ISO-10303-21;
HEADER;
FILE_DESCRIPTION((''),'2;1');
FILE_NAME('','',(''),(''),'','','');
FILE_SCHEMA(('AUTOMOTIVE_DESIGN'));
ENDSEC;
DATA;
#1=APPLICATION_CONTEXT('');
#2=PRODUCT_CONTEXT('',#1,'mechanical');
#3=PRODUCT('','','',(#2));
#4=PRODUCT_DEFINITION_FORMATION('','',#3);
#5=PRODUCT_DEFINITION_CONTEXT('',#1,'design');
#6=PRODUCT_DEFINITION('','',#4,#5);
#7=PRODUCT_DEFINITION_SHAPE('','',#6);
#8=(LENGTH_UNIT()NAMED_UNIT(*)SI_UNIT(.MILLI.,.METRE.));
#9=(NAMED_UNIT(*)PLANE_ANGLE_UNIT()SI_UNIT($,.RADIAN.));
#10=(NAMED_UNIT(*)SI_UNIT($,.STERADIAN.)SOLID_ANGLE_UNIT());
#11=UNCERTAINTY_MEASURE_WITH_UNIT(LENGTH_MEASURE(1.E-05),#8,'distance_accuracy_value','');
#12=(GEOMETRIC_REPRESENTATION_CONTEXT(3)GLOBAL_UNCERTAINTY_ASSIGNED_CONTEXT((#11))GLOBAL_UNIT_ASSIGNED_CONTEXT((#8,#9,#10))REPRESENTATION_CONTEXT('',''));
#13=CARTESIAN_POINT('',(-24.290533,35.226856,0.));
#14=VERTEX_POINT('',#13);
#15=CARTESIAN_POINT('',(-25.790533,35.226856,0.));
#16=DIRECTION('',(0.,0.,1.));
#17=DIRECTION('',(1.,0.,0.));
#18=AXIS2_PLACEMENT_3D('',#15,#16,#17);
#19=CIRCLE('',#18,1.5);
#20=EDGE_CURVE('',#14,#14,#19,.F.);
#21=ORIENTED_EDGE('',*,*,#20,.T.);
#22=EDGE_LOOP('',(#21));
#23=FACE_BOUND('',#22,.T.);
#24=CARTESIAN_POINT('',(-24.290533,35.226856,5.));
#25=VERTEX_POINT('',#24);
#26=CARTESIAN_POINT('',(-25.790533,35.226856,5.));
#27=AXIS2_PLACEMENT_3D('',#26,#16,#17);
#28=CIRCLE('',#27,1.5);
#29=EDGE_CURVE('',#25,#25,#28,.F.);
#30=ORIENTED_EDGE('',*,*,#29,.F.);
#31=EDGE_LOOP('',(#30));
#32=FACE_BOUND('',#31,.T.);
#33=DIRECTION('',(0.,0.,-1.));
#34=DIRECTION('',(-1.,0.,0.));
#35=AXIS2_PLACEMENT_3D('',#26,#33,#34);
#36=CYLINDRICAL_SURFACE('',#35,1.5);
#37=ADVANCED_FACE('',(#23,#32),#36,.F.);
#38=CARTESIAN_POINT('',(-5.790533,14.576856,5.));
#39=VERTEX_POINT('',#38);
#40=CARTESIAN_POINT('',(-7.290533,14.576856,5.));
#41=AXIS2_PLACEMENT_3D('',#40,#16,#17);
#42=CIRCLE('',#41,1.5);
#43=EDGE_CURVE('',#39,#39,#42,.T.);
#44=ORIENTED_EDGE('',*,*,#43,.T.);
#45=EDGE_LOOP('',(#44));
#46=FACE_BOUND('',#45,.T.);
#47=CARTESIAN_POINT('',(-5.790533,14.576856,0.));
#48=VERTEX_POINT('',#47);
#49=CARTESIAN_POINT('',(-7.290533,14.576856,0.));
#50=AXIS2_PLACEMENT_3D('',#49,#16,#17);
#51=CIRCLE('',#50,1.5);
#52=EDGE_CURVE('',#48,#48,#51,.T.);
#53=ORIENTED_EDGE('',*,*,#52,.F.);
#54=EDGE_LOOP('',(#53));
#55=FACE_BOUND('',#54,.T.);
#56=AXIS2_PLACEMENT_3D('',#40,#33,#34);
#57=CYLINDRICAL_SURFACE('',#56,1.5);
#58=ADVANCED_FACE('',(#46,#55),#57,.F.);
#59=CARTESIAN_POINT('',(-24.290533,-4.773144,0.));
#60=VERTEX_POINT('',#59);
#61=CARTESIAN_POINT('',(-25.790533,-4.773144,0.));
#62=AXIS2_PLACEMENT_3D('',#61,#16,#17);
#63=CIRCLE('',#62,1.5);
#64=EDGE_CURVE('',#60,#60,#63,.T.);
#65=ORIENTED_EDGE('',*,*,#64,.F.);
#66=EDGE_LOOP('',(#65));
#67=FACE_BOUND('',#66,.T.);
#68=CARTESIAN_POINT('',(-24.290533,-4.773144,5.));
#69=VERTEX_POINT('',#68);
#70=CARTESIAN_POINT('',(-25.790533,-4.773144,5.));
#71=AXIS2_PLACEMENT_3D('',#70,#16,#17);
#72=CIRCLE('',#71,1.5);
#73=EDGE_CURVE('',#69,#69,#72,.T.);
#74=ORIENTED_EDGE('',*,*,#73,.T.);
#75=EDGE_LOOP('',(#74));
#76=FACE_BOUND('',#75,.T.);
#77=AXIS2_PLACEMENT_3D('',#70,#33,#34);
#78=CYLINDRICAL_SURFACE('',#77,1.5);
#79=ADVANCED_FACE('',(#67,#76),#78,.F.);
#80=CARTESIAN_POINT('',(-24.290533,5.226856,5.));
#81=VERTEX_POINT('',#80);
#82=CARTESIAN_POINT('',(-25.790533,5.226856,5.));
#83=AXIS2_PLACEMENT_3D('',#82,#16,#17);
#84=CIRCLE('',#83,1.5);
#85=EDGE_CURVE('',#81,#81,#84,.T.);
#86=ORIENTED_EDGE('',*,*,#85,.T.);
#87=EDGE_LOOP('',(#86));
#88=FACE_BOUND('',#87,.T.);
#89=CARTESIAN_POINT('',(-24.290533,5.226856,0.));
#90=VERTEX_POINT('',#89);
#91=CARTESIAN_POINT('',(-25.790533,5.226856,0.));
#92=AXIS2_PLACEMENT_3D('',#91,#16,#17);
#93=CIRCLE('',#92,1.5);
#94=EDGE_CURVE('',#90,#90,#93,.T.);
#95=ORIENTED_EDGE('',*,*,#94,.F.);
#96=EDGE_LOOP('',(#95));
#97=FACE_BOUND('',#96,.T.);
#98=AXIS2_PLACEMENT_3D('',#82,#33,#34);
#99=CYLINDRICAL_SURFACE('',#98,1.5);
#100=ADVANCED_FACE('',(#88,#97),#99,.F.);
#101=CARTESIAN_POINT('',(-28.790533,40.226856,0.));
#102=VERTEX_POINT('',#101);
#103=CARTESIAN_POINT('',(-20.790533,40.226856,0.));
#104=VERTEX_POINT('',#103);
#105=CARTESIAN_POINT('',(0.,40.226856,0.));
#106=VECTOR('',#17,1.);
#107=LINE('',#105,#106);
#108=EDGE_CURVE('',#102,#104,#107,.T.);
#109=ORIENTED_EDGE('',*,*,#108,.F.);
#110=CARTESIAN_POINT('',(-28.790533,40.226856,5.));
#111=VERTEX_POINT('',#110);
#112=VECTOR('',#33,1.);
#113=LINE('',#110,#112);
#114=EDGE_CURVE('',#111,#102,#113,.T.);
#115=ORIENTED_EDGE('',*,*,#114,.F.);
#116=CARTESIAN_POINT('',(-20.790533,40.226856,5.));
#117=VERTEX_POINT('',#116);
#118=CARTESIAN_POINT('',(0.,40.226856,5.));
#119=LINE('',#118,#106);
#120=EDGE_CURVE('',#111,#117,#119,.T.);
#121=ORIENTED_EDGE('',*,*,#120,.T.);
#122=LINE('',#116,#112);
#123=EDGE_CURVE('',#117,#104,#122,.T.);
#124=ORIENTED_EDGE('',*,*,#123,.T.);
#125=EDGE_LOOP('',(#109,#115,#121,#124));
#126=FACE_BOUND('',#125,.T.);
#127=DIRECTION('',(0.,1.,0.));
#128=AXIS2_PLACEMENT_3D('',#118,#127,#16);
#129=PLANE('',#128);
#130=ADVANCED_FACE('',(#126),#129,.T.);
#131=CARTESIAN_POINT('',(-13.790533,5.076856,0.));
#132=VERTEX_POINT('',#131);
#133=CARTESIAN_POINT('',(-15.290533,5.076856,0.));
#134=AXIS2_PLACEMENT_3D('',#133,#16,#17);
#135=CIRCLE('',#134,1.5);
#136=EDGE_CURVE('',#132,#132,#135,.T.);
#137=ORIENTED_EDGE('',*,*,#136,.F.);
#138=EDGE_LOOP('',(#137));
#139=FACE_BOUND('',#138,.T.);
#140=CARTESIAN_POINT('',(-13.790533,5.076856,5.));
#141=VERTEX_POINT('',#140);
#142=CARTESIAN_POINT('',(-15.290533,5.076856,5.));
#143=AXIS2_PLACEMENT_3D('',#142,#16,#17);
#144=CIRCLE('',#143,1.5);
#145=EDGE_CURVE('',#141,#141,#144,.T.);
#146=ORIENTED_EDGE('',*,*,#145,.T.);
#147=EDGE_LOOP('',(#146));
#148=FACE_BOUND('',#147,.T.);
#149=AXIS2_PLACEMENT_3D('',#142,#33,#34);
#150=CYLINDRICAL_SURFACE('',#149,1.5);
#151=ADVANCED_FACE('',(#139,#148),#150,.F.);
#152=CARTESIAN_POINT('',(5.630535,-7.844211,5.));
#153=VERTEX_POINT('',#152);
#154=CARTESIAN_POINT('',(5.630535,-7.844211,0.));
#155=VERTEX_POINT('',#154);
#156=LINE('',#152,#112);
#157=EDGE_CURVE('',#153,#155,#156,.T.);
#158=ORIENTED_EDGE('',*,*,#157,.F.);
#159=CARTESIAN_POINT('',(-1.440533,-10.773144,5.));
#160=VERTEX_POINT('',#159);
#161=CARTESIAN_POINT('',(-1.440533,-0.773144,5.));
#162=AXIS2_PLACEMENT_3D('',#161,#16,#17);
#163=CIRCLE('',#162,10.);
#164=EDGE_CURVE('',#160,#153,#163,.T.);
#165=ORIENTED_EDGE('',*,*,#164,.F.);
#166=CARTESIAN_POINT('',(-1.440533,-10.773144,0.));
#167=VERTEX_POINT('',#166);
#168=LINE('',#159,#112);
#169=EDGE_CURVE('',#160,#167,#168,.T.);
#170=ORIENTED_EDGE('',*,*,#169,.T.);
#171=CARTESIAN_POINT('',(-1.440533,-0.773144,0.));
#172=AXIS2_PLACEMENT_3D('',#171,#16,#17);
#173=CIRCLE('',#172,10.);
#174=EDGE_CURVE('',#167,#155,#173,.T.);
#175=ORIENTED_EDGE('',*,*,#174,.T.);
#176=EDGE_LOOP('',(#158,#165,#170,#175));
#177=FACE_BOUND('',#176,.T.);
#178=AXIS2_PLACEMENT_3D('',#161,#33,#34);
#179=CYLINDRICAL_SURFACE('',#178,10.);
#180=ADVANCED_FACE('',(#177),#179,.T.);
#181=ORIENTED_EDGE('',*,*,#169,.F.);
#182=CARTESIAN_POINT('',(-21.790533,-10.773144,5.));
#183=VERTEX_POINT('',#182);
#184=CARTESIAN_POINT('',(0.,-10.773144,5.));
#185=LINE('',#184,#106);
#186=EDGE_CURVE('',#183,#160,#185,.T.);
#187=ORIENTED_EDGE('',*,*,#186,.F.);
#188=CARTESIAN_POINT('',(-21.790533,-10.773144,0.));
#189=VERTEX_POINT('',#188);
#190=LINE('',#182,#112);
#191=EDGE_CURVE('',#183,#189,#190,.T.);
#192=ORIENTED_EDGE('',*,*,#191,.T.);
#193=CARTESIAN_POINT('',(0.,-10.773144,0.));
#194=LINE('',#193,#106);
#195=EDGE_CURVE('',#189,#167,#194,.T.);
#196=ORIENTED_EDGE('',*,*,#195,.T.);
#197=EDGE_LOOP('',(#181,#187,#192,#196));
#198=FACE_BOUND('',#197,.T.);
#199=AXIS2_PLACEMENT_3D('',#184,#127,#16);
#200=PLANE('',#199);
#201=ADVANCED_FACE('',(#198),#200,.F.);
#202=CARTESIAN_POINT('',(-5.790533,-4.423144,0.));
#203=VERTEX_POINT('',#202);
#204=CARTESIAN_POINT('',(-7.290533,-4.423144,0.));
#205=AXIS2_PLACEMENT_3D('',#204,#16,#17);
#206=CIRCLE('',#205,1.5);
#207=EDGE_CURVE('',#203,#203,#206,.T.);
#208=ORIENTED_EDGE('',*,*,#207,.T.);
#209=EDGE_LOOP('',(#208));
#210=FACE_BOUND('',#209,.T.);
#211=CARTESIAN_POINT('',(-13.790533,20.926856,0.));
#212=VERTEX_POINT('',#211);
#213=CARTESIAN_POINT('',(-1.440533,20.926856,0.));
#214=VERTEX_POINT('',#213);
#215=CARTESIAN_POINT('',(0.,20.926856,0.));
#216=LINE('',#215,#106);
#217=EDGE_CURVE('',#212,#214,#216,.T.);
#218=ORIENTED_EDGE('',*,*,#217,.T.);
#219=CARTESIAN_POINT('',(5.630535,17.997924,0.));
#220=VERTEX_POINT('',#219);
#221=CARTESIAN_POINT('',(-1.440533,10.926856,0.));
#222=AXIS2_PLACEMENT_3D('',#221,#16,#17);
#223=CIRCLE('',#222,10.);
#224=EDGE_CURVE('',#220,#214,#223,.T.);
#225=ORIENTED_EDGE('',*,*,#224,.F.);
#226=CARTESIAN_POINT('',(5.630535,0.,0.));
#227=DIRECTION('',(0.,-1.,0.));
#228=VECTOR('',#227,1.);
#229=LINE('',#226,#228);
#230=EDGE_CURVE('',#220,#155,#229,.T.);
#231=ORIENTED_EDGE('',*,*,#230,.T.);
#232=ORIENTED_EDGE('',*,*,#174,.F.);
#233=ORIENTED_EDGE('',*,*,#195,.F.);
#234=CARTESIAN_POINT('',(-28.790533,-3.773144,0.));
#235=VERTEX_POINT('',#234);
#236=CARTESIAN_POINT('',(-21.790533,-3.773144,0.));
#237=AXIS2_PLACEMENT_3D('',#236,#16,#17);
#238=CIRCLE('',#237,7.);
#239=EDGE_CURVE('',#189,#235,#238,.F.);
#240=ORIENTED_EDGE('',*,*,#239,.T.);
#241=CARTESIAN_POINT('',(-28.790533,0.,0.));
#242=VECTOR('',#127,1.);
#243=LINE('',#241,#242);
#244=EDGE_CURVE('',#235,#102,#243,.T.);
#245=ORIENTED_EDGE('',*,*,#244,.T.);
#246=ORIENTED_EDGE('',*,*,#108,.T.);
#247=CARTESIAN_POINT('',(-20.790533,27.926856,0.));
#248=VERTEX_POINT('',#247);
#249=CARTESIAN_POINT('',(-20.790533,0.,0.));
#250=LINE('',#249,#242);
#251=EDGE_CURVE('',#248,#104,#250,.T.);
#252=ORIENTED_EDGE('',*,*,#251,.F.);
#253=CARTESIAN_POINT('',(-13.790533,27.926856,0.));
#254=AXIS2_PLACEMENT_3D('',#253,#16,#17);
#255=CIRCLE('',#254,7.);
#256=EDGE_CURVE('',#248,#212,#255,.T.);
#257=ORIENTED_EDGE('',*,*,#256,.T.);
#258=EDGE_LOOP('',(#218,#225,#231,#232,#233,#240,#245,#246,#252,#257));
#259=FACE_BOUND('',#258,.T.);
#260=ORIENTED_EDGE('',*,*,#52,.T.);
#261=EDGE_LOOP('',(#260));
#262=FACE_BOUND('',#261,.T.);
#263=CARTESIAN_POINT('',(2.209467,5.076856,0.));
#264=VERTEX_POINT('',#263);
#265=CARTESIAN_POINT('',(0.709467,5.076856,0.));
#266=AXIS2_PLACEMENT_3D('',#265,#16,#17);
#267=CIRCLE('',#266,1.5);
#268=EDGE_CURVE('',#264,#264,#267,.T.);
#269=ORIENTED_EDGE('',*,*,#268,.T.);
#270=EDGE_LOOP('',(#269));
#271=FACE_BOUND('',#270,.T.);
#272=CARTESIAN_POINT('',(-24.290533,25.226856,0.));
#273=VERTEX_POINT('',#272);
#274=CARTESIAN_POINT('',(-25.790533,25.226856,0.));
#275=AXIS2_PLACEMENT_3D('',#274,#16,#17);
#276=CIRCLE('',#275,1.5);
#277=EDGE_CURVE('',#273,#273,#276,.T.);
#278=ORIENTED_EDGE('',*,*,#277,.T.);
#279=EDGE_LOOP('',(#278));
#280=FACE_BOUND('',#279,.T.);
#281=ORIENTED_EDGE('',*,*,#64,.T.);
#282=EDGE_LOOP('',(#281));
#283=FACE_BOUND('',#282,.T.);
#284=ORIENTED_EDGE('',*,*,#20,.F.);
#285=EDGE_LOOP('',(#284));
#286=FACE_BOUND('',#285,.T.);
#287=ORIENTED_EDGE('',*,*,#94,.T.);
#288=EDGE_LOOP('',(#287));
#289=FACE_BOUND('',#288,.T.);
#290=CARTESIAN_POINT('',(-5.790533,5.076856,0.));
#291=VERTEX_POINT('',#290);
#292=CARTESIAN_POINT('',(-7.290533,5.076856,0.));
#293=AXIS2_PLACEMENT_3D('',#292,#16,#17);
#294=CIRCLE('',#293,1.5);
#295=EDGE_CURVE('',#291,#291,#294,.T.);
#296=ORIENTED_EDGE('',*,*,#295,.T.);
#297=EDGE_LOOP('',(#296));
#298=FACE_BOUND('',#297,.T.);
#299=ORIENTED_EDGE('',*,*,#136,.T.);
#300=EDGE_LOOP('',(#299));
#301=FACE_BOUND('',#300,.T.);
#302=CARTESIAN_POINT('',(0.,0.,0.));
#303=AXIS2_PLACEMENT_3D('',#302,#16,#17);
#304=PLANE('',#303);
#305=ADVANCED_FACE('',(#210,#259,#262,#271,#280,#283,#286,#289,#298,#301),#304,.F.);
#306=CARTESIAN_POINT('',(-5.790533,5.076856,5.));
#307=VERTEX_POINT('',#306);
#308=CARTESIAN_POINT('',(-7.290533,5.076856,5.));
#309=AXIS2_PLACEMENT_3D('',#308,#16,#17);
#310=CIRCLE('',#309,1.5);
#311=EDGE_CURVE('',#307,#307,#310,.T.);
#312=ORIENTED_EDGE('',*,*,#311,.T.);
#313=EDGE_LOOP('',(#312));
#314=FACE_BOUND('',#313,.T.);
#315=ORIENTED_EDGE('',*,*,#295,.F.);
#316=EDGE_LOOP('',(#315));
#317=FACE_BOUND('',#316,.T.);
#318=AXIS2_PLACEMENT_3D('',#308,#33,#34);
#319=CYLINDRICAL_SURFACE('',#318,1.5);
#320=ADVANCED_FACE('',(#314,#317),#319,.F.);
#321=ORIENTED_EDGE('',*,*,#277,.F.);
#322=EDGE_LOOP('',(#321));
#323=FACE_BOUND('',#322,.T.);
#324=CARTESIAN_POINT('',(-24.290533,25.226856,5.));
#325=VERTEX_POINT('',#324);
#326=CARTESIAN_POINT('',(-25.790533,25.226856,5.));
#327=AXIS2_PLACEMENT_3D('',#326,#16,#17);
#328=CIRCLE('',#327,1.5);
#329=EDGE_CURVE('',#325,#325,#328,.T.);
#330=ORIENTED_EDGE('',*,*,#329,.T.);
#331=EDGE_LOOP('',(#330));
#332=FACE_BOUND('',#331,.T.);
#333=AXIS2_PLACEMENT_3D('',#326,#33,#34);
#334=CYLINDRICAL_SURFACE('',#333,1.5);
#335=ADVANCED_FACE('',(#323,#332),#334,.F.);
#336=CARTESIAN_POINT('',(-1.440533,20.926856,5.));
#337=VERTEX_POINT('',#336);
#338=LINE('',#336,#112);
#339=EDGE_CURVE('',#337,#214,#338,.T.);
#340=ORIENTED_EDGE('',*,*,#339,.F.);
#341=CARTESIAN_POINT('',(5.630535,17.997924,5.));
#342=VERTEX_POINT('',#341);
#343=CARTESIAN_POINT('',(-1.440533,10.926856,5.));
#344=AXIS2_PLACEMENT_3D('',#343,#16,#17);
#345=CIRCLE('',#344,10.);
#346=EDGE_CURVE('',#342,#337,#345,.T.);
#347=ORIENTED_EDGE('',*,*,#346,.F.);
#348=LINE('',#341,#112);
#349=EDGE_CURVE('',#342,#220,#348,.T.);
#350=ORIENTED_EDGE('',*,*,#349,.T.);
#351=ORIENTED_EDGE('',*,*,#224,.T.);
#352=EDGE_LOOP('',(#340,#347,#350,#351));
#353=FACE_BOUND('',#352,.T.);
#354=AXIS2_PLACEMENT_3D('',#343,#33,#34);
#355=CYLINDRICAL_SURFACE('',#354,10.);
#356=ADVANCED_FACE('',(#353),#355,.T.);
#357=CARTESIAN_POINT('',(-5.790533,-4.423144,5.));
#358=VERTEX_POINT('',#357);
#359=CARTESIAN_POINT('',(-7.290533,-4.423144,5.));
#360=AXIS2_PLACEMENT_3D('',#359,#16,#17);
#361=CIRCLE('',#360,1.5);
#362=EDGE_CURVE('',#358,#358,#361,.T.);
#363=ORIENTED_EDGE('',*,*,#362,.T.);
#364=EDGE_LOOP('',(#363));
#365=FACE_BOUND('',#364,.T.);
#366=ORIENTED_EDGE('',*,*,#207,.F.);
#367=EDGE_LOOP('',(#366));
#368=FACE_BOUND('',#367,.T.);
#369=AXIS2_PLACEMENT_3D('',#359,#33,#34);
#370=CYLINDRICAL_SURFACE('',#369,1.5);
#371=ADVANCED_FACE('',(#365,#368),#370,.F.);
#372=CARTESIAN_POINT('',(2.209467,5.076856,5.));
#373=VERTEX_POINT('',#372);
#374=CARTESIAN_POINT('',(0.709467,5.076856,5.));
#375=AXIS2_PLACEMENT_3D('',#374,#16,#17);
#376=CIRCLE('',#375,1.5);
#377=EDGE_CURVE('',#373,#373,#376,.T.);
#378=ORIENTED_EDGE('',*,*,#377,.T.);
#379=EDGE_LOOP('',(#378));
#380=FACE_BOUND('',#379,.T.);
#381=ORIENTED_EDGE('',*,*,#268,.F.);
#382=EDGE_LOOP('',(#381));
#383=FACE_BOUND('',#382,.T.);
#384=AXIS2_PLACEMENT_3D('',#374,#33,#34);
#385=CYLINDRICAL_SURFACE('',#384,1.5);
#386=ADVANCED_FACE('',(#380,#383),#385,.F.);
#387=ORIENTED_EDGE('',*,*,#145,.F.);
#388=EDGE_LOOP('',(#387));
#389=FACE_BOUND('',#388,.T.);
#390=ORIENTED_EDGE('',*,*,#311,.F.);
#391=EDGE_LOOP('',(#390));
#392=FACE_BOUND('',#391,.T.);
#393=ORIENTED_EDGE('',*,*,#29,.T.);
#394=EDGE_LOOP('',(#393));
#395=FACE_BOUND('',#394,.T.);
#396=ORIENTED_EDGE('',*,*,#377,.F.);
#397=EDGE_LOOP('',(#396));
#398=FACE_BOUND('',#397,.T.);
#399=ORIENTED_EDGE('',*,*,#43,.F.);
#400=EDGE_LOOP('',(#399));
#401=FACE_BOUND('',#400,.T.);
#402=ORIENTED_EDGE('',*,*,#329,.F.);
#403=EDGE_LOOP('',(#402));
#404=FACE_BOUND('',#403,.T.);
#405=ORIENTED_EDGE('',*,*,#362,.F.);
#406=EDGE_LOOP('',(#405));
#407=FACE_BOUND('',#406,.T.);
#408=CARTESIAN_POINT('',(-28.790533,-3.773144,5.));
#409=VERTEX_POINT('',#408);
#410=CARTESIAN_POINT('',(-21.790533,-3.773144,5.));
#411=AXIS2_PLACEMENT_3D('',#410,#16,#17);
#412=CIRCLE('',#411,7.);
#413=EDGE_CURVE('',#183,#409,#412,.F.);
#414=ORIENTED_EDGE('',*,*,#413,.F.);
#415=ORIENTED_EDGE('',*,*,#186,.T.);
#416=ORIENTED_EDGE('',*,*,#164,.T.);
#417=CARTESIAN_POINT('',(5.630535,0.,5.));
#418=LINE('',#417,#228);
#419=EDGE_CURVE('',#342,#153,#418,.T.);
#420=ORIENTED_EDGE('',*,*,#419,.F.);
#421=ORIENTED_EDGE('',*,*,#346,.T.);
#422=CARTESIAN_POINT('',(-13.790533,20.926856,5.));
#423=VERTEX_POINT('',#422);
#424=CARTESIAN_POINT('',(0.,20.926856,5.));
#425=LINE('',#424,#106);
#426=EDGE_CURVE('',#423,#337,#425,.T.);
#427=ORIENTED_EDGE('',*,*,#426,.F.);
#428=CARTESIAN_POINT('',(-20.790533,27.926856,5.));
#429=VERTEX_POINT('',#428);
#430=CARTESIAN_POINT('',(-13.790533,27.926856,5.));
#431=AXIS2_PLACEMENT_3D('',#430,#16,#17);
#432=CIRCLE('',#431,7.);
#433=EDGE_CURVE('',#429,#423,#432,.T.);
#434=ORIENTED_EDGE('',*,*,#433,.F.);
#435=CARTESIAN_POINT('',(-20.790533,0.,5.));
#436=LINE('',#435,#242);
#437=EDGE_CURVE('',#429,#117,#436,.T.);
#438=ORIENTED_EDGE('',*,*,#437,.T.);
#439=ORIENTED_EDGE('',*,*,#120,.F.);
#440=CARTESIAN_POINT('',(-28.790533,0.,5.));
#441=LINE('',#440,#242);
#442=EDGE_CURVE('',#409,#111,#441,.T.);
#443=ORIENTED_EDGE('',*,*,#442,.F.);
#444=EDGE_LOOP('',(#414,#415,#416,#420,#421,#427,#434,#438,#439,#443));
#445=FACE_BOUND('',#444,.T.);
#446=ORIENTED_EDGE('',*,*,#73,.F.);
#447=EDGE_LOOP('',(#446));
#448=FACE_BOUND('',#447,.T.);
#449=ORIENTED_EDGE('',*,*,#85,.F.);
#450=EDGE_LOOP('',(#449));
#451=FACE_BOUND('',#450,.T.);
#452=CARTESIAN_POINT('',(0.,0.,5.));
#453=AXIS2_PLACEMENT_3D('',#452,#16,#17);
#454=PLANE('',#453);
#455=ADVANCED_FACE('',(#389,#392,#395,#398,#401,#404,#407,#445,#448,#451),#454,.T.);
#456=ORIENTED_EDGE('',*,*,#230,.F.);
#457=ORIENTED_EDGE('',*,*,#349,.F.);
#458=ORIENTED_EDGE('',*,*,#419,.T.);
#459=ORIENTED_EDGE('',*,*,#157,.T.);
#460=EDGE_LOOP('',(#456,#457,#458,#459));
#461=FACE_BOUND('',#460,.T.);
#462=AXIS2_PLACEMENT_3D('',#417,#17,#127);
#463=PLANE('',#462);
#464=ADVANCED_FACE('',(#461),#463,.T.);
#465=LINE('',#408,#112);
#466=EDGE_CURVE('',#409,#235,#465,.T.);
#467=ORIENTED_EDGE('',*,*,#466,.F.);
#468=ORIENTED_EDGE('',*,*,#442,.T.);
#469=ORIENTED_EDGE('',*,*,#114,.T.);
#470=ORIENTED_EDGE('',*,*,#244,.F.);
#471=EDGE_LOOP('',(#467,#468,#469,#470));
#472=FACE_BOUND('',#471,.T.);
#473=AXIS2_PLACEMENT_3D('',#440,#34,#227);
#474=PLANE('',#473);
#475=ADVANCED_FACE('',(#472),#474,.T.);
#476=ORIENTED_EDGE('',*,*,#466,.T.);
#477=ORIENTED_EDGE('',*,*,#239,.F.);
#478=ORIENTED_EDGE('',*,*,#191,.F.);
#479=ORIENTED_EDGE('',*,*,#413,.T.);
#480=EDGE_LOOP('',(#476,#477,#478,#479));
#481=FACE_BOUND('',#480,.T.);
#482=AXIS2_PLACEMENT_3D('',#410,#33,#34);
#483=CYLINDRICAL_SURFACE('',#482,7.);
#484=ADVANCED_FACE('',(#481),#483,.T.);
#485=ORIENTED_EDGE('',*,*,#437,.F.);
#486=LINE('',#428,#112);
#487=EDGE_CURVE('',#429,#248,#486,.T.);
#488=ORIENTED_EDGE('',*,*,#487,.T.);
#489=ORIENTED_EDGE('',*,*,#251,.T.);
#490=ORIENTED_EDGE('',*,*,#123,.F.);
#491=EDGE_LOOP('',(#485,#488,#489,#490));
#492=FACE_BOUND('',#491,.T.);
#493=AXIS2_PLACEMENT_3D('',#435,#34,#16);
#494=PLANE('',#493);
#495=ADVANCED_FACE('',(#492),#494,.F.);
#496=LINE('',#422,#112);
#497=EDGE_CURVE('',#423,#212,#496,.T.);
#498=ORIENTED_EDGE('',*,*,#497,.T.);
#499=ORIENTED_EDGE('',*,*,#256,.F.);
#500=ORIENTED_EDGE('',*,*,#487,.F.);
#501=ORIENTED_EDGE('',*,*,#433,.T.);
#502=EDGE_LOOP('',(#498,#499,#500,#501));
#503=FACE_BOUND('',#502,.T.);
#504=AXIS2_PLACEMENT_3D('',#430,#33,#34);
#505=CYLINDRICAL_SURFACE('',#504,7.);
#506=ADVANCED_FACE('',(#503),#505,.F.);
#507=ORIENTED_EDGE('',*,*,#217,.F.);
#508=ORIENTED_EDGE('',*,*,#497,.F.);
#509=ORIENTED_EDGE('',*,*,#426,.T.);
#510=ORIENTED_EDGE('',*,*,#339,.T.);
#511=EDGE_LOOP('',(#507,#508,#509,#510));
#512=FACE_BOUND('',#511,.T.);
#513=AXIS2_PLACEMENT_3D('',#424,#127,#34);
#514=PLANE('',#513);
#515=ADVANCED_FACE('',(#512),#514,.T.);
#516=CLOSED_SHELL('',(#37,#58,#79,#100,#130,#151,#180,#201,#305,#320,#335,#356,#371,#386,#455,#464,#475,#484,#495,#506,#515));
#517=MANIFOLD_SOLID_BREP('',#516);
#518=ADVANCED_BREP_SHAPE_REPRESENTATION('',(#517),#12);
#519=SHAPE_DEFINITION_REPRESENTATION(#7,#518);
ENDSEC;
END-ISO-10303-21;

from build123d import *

# Parameters (mm, degrees)
CROQUIS1_R              = 1.5
SALIENTE_EXTRUIR1_DEPTH = 5


with BuildPart() as part:
    # Croquis1 → Saliente-Extruir1 (new body)
    with BuildSketch(Plane.XY):
        with BuildLine():
            Line((-28.790532902, 40.226856436), (-28.790532902, 20.926856436))
            Line((-28.790532902, 20.926856436), (-28.790532902, -0.073143564))
            Line((-28.790532902, -0.073143564), (-28.790532902, -3.773143564))
            ThreePointArc((-28.790532902, -3.773143564), (-26.740280371, -8.722891033), (-21.790532902, -10.773143564))
            Line((-21.790532902, -10.773143564), (-1.440532902, -10.773143564))
            ThreePointArc((-1.440532902, -10.773143564), (2.386301421, -10.011938889), (5.630534909, -7.844211376))
            Line((5.630534909, -7.844211376), (5.630534909, 17.997924248))
            ThreePointArc((5.630534909, 17.997924248), (2.386301421, 20.165651761), (-1.440532902, 20.926856436))
            Line((-1.440532902, 20.926856436), (-13.790532902, 20.926856436))
            ThreePointArc((-13.790532902, 20.926856436), (-18.740280371, 22.977108967), (-20.790532902, 27.926856436))
            Line((-20.790532902, 27.926856436), (-20.790532902, 40.226856436))
            Line((-20.790532902, 40.226856436), (-28.790532902, 40.226856436))
        make_face()
        with Locations((-25.790532902, -4.773143564)):
            Circle(CROQUIS1_R, mode=Mode.SUBTRACT)
        with Locations((-25.790532902, 5.226856436)):
            Circle(CROQUIS1_R, mode=Mode.SUBTRACT)
        with Locations((-15.290532902, 5.076856436)):
            Circle(CROQUIS1_R, mode=Mode.SUBTRACT)
        with Locations((-7.290532902, -4.423143564)):
            Circle(CROQUIS1_R, mode=Mode.SUBTRACT)
        with Locations((-7.290532902, 5.076856436)):
            Circle(CROQUIS1_R, mode=Mode.SUBTRACT)
        with Locations((-7.290532902, 14.576856436)):
            Circle(CROQUIS1_R, mode=Mode.SUBTRACT)
        with Locations((0.709467098, 5.076856436)):
            Circle(CROQUIS1_R, mode=Mode.SUBTRACT)
        with Locations((-25.790532902, 25.226856436)):
            Circle(CROQUIS1_R, mode=Mode.SUBTRACT)
        with Locations((-25.790532902, 35.226856436)):
            Circle(CROQUIS1_R, mode=Mode.SUBTRACT)
    extrude(amount=SALIENTE_EXTRUIR1_DEPTH)


solid = part.part
